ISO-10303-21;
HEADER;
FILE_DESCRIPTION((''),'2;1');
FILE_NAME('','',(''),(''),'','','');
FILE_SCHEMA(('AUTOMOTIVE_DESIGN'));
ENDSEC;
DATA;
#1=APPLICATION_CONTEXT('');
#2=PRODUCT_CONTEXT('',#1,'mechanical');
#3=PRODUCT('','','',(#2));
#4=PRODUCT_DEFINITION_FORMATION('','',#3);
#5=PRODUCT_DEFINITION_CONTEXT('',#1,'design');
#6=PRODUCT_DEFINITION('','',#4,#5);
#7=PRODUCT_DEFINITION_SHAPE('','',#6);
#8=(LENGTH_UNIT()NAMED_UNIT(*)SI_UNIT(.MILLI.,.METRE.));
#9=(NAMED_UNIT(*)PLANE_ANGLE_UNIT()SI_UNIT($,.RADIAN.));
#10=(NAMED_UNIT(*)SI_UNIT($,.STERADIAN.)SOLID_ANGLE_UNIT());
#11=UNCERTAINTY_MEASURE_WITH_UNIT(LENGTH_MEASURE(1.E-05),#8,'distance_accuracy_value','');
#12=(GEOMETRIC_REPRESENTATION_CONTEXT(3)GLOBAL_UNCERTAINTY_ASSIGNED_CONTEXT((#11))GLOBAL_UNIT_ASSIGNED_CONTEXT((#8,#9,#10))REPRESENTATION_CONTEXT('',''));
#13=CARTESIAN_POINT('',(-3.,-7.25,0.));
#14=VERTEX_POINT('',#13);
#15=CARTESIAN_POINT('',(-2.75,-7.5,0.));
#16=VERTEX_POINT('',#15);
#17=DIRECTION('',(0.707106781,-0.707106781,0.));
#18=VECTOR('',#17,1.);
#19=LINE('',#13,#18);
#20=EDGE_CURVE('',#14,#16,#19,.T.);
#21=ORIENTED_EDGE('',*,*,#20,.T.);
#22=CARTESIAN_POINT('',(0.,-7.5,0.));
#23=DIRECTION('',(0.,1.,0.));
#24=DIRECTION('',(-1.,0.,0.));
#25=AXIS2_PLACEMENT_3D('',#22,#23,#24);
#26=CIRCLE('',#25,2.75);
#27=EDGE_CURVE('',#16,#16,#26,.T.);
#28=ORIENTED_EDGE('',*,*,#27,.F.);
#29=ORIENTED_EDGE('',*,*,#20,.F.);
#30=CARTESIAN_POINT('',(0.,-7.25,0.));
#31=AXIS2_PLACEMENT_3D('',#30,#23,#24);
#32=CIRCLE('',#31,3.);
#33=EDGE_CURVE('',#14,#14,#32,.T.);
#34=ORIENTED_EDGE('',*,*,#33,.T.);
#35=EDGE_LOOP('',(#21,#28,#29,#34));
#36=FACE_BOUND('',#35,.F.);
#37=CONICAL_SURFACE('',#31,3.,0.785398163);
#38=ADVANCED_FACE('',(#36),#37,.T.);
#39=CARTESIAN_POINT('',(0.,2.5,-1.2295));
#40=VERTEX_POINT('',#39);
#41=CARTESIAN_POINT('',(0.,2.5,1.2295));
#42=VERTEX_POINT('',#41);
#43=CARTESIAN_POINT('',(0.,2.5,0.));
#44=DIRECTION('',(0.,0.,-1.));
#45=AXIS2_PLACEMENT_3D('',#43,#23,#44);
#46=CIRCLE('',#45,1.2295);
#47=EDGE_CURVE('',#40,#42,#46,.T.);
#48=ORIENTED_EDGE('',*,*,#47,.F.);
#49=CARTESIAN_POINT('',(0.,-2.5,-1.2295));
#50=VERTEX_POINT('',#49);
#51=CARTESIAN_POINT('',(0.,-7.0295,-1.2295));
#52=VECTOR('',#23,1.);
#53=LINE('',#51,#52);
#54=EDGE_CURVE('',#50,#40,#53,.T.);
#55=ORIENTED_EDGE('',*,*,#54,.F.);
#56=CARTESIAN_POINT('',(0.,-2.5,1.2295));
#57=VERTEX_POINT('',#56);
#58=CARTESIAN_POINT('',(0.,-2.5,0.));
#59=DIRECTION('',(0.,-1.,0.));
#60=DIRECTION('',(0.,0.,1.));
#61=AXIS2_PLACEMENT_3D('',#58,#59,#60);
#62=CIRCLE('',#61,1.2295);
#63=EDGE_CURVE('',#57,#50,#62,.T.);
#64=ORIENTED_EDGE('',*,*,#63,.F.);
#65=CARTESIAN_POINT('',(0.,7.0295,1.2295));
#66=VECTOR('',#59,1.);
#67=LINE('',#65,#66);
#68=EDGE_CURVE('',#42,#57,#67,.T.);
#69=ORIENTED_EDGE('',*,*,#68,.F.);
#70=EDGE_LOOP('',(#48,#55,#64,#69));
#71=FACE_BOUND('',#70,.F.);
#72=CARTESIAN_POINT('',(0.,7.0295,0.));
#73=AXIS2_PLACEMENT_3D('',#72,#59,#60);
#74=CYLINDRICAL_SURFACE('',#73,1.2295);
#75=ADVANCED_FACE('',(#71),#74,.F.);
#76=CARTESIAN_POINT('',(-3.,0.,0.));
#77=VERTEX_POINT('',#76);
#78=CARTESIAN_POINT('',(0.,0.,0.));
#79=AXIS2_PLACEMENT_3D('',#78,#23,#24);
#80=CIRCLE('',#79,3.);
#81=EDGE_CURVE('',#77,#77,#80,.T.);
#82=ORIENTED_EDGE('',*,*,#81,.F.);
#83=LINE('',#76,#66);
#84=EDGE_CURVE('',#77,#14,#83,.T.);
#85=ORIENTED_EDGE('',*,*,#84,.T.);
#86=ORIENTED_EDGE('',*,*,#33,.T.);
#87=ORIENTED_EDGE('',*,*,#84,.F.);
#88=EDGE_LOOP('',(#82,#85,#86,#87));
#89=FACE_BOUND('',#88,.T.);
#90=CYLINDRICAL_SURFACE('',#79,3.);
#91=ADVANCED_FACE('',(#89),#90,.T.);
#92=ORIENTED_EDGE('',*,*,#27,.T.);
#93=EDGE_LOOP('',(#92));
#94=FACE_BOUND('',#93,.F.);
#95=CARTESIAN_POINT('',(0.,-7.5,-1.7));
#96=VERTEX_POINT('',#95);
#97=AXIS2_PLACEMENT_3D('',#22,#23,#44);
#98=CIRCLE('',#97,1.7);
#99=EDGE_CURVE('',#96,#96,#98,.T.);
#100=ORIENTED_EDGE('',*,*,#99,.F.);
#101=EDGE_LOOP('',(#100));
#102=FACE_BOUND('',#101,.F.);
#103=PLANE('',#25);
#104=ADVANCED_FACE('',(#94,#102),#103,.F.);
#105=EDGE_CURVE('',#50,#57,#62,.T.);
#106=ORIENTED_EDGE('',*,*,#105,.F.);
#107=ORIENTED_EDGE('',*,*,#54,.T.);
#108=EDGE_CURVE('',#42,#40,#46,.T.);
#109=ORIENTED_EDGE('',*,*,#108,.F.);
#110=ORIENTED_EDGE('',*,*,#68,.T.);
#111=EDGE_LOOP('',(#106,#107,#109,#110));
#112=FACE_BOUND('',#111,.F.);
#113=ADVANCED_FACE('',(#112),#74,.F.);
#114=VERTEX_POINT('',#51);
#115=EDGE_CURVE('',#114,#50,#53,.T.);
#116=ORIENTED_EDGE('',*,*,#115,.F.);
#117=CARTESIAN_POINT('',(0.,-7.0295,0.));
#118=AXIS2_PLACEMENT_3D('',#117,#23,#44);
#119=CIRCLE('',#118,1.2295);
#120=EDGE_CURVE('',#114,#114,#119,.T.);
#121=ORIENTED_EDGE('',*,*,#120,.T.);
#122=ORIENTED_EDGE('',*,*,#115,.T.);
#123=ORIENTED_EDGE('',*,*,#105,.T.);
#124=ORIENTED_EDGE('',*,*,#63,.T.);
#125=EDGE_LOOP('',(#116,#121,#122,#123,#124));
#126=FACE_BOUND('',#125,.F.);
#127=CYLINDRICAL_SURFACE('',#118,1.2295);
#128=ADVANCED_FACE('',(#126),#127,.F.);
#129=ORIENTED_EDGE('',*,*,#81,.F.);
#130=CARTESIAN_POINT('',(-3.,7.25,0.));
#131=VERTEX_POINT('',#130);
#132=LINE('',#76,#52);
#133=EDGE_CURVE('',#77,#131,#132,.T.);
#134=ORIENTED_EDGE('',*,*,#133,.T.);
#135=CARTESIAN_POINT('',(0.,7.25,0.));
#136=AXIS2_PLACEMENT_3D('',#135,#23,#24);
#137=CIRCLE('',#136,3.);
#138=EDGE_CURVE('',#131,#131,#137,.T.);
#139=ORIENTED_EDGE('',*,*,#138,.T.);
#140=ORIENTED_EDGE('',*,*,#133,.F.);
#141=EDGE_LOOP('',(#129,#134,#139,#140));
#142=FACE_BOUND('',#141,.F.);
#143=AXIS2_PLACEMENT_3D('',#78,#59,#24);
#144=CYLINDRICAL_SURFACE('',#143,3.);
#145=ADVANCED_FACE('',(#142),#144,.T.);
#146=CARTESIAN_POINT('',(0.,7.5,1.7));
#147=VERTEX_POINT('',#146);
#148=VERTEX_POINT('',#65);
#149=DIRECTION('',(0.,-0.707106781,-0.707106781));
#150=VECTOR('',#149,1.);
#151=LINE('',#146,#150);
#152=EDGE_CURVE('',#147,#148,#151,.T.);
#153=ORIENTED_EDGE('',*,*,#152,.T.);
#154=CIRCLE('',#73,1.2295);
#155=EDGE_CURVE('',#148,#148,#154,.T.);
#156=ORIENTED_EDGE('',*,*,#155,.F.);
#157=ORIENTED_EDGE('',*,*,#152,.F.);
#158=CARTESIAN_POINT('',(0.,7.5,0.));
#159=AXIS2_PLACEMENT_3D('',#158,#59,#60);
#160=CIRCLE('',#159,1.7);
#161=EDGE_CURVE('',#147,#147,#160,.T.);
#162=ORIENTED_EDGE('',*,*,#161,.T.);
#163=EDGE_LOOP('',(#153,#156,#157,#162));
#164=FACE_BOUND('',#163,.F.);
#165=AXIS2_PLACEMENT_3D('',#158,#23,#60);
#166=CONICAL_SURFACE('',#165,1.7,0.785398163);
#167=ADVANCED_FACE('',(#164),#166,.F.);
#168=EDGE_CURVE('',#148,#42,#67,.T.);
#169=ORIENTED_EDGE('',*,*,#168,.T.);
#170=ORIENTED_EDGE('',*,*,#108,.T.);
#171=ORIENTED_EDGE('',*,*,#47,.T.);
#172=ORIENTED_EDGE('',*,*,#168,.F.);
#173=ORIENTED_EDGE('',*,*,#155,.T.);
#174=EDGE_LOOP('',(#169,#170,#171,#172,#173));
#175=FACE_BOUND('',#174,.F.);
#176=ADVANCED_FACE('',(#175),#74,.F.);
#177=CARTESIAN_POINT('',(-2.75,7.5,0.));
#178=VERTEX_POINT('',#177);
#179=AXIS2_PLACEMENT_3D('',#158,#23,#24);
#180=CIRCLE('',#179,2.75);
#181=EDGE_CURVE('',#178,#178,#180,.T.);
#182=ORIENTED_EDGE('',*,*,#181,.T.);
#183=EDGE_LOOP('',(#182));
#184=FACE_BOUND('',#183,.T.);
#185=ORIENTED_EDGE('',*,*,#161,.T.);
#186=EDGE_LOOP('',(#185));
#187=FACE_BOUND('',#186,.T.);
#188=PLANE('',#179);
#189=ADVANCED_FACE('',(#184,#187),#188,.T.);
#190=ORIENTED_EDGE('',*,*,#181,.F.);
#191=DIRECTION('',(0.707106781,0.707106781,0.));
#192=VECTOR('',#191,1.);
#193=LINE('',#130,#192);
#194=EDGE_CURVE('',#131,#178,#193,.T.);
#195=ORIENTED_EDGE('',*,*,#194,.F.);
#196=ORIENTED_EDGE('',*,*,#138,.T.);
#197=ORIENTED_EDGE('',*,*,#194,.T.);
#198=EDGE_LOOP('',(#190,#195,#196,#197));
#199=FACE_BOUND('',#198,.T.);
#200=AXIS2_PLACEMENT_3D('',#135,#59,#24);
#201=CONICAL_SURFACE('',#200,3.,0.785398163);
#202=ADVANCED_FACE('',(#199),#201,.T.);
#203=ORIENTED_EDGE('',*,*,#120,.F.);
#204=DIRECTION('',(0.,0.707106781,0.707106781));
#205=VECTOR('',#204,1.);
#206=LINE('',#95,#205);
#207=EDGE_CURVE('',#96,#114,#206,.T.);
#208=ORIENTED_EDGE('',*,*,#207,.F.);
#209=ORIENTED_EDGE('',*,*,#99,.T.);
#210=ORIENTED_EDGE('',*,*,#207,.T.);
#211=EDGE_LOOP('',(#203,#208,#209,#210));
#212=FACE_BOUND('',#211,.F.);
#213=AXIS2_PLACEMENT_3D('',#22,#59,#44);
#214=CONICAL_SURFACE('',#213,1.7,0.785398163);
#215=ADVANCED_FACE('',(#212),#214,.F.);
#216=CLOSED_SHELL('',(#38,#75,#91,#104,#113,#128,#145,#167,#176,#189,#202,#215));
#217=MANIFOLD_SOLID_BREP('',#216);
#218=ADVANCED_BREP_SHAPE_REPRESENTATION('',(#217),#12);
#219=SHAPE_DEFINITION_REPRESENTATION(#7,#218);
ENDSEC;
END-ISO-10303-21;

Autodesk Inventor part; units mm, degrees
ref_plane "YZ Plane" through (0, 0, 0) normal (1, 0, 0) x (0, 1, 0)
ref_plane "XZ Plane" through (0, 0, 0) normal (0, 1, 0) x (-1, 0, 0)
ref_plane "XY Plane" through (0, 0, 0) normal (0, 0, 1) x (1, 0, 0)
sketch "スケッチ1" plane through (0, 0, 0) normal (0, 1, 0) x (-1, 0, 0)
  circle A0 centre (0, 0) radius 3
  dimension "d0" = 6
extrude "押し出し1" add sketch "スケッチ1" along normal mid plane 15
sketch "スケッチ2" plane through (0, 7.5, 0) normal (0, 1, 0) x (1, 0, 0)
  point P0 (0, 0)
  point P1 (0, 0)
hole "穴1" at (0, 7.5, 0) direction (0, -1, 0) diameter 2.459 depth 10 countersink diameter 3.4 countersink angle 90 thread size "M3x0.5" class "6H" standard "ISO Metric profile"
sketch "スケッチ3" plane through (0, -7.5, 0) normal (0, -1, 0) x (1, 0, 0)
  point P0 (0, 0)
  point P1 (0, 0)
hole "穴2" at (0, -7.5, 0) direction (0, 1, 0) diameter 2.459 depth 10 countersink diameter 3.4 countersink angle 90 thread size "M3x0.5" class "6H" standard "ISO Metric profile"
chamfer "面取り1" distance 0.25 angle 45 2 edges at (3, -7.5, 0) (3, 7.5, 0)
properties part number "Spacer_M3D6L60" material "アルミニウム 6061"
